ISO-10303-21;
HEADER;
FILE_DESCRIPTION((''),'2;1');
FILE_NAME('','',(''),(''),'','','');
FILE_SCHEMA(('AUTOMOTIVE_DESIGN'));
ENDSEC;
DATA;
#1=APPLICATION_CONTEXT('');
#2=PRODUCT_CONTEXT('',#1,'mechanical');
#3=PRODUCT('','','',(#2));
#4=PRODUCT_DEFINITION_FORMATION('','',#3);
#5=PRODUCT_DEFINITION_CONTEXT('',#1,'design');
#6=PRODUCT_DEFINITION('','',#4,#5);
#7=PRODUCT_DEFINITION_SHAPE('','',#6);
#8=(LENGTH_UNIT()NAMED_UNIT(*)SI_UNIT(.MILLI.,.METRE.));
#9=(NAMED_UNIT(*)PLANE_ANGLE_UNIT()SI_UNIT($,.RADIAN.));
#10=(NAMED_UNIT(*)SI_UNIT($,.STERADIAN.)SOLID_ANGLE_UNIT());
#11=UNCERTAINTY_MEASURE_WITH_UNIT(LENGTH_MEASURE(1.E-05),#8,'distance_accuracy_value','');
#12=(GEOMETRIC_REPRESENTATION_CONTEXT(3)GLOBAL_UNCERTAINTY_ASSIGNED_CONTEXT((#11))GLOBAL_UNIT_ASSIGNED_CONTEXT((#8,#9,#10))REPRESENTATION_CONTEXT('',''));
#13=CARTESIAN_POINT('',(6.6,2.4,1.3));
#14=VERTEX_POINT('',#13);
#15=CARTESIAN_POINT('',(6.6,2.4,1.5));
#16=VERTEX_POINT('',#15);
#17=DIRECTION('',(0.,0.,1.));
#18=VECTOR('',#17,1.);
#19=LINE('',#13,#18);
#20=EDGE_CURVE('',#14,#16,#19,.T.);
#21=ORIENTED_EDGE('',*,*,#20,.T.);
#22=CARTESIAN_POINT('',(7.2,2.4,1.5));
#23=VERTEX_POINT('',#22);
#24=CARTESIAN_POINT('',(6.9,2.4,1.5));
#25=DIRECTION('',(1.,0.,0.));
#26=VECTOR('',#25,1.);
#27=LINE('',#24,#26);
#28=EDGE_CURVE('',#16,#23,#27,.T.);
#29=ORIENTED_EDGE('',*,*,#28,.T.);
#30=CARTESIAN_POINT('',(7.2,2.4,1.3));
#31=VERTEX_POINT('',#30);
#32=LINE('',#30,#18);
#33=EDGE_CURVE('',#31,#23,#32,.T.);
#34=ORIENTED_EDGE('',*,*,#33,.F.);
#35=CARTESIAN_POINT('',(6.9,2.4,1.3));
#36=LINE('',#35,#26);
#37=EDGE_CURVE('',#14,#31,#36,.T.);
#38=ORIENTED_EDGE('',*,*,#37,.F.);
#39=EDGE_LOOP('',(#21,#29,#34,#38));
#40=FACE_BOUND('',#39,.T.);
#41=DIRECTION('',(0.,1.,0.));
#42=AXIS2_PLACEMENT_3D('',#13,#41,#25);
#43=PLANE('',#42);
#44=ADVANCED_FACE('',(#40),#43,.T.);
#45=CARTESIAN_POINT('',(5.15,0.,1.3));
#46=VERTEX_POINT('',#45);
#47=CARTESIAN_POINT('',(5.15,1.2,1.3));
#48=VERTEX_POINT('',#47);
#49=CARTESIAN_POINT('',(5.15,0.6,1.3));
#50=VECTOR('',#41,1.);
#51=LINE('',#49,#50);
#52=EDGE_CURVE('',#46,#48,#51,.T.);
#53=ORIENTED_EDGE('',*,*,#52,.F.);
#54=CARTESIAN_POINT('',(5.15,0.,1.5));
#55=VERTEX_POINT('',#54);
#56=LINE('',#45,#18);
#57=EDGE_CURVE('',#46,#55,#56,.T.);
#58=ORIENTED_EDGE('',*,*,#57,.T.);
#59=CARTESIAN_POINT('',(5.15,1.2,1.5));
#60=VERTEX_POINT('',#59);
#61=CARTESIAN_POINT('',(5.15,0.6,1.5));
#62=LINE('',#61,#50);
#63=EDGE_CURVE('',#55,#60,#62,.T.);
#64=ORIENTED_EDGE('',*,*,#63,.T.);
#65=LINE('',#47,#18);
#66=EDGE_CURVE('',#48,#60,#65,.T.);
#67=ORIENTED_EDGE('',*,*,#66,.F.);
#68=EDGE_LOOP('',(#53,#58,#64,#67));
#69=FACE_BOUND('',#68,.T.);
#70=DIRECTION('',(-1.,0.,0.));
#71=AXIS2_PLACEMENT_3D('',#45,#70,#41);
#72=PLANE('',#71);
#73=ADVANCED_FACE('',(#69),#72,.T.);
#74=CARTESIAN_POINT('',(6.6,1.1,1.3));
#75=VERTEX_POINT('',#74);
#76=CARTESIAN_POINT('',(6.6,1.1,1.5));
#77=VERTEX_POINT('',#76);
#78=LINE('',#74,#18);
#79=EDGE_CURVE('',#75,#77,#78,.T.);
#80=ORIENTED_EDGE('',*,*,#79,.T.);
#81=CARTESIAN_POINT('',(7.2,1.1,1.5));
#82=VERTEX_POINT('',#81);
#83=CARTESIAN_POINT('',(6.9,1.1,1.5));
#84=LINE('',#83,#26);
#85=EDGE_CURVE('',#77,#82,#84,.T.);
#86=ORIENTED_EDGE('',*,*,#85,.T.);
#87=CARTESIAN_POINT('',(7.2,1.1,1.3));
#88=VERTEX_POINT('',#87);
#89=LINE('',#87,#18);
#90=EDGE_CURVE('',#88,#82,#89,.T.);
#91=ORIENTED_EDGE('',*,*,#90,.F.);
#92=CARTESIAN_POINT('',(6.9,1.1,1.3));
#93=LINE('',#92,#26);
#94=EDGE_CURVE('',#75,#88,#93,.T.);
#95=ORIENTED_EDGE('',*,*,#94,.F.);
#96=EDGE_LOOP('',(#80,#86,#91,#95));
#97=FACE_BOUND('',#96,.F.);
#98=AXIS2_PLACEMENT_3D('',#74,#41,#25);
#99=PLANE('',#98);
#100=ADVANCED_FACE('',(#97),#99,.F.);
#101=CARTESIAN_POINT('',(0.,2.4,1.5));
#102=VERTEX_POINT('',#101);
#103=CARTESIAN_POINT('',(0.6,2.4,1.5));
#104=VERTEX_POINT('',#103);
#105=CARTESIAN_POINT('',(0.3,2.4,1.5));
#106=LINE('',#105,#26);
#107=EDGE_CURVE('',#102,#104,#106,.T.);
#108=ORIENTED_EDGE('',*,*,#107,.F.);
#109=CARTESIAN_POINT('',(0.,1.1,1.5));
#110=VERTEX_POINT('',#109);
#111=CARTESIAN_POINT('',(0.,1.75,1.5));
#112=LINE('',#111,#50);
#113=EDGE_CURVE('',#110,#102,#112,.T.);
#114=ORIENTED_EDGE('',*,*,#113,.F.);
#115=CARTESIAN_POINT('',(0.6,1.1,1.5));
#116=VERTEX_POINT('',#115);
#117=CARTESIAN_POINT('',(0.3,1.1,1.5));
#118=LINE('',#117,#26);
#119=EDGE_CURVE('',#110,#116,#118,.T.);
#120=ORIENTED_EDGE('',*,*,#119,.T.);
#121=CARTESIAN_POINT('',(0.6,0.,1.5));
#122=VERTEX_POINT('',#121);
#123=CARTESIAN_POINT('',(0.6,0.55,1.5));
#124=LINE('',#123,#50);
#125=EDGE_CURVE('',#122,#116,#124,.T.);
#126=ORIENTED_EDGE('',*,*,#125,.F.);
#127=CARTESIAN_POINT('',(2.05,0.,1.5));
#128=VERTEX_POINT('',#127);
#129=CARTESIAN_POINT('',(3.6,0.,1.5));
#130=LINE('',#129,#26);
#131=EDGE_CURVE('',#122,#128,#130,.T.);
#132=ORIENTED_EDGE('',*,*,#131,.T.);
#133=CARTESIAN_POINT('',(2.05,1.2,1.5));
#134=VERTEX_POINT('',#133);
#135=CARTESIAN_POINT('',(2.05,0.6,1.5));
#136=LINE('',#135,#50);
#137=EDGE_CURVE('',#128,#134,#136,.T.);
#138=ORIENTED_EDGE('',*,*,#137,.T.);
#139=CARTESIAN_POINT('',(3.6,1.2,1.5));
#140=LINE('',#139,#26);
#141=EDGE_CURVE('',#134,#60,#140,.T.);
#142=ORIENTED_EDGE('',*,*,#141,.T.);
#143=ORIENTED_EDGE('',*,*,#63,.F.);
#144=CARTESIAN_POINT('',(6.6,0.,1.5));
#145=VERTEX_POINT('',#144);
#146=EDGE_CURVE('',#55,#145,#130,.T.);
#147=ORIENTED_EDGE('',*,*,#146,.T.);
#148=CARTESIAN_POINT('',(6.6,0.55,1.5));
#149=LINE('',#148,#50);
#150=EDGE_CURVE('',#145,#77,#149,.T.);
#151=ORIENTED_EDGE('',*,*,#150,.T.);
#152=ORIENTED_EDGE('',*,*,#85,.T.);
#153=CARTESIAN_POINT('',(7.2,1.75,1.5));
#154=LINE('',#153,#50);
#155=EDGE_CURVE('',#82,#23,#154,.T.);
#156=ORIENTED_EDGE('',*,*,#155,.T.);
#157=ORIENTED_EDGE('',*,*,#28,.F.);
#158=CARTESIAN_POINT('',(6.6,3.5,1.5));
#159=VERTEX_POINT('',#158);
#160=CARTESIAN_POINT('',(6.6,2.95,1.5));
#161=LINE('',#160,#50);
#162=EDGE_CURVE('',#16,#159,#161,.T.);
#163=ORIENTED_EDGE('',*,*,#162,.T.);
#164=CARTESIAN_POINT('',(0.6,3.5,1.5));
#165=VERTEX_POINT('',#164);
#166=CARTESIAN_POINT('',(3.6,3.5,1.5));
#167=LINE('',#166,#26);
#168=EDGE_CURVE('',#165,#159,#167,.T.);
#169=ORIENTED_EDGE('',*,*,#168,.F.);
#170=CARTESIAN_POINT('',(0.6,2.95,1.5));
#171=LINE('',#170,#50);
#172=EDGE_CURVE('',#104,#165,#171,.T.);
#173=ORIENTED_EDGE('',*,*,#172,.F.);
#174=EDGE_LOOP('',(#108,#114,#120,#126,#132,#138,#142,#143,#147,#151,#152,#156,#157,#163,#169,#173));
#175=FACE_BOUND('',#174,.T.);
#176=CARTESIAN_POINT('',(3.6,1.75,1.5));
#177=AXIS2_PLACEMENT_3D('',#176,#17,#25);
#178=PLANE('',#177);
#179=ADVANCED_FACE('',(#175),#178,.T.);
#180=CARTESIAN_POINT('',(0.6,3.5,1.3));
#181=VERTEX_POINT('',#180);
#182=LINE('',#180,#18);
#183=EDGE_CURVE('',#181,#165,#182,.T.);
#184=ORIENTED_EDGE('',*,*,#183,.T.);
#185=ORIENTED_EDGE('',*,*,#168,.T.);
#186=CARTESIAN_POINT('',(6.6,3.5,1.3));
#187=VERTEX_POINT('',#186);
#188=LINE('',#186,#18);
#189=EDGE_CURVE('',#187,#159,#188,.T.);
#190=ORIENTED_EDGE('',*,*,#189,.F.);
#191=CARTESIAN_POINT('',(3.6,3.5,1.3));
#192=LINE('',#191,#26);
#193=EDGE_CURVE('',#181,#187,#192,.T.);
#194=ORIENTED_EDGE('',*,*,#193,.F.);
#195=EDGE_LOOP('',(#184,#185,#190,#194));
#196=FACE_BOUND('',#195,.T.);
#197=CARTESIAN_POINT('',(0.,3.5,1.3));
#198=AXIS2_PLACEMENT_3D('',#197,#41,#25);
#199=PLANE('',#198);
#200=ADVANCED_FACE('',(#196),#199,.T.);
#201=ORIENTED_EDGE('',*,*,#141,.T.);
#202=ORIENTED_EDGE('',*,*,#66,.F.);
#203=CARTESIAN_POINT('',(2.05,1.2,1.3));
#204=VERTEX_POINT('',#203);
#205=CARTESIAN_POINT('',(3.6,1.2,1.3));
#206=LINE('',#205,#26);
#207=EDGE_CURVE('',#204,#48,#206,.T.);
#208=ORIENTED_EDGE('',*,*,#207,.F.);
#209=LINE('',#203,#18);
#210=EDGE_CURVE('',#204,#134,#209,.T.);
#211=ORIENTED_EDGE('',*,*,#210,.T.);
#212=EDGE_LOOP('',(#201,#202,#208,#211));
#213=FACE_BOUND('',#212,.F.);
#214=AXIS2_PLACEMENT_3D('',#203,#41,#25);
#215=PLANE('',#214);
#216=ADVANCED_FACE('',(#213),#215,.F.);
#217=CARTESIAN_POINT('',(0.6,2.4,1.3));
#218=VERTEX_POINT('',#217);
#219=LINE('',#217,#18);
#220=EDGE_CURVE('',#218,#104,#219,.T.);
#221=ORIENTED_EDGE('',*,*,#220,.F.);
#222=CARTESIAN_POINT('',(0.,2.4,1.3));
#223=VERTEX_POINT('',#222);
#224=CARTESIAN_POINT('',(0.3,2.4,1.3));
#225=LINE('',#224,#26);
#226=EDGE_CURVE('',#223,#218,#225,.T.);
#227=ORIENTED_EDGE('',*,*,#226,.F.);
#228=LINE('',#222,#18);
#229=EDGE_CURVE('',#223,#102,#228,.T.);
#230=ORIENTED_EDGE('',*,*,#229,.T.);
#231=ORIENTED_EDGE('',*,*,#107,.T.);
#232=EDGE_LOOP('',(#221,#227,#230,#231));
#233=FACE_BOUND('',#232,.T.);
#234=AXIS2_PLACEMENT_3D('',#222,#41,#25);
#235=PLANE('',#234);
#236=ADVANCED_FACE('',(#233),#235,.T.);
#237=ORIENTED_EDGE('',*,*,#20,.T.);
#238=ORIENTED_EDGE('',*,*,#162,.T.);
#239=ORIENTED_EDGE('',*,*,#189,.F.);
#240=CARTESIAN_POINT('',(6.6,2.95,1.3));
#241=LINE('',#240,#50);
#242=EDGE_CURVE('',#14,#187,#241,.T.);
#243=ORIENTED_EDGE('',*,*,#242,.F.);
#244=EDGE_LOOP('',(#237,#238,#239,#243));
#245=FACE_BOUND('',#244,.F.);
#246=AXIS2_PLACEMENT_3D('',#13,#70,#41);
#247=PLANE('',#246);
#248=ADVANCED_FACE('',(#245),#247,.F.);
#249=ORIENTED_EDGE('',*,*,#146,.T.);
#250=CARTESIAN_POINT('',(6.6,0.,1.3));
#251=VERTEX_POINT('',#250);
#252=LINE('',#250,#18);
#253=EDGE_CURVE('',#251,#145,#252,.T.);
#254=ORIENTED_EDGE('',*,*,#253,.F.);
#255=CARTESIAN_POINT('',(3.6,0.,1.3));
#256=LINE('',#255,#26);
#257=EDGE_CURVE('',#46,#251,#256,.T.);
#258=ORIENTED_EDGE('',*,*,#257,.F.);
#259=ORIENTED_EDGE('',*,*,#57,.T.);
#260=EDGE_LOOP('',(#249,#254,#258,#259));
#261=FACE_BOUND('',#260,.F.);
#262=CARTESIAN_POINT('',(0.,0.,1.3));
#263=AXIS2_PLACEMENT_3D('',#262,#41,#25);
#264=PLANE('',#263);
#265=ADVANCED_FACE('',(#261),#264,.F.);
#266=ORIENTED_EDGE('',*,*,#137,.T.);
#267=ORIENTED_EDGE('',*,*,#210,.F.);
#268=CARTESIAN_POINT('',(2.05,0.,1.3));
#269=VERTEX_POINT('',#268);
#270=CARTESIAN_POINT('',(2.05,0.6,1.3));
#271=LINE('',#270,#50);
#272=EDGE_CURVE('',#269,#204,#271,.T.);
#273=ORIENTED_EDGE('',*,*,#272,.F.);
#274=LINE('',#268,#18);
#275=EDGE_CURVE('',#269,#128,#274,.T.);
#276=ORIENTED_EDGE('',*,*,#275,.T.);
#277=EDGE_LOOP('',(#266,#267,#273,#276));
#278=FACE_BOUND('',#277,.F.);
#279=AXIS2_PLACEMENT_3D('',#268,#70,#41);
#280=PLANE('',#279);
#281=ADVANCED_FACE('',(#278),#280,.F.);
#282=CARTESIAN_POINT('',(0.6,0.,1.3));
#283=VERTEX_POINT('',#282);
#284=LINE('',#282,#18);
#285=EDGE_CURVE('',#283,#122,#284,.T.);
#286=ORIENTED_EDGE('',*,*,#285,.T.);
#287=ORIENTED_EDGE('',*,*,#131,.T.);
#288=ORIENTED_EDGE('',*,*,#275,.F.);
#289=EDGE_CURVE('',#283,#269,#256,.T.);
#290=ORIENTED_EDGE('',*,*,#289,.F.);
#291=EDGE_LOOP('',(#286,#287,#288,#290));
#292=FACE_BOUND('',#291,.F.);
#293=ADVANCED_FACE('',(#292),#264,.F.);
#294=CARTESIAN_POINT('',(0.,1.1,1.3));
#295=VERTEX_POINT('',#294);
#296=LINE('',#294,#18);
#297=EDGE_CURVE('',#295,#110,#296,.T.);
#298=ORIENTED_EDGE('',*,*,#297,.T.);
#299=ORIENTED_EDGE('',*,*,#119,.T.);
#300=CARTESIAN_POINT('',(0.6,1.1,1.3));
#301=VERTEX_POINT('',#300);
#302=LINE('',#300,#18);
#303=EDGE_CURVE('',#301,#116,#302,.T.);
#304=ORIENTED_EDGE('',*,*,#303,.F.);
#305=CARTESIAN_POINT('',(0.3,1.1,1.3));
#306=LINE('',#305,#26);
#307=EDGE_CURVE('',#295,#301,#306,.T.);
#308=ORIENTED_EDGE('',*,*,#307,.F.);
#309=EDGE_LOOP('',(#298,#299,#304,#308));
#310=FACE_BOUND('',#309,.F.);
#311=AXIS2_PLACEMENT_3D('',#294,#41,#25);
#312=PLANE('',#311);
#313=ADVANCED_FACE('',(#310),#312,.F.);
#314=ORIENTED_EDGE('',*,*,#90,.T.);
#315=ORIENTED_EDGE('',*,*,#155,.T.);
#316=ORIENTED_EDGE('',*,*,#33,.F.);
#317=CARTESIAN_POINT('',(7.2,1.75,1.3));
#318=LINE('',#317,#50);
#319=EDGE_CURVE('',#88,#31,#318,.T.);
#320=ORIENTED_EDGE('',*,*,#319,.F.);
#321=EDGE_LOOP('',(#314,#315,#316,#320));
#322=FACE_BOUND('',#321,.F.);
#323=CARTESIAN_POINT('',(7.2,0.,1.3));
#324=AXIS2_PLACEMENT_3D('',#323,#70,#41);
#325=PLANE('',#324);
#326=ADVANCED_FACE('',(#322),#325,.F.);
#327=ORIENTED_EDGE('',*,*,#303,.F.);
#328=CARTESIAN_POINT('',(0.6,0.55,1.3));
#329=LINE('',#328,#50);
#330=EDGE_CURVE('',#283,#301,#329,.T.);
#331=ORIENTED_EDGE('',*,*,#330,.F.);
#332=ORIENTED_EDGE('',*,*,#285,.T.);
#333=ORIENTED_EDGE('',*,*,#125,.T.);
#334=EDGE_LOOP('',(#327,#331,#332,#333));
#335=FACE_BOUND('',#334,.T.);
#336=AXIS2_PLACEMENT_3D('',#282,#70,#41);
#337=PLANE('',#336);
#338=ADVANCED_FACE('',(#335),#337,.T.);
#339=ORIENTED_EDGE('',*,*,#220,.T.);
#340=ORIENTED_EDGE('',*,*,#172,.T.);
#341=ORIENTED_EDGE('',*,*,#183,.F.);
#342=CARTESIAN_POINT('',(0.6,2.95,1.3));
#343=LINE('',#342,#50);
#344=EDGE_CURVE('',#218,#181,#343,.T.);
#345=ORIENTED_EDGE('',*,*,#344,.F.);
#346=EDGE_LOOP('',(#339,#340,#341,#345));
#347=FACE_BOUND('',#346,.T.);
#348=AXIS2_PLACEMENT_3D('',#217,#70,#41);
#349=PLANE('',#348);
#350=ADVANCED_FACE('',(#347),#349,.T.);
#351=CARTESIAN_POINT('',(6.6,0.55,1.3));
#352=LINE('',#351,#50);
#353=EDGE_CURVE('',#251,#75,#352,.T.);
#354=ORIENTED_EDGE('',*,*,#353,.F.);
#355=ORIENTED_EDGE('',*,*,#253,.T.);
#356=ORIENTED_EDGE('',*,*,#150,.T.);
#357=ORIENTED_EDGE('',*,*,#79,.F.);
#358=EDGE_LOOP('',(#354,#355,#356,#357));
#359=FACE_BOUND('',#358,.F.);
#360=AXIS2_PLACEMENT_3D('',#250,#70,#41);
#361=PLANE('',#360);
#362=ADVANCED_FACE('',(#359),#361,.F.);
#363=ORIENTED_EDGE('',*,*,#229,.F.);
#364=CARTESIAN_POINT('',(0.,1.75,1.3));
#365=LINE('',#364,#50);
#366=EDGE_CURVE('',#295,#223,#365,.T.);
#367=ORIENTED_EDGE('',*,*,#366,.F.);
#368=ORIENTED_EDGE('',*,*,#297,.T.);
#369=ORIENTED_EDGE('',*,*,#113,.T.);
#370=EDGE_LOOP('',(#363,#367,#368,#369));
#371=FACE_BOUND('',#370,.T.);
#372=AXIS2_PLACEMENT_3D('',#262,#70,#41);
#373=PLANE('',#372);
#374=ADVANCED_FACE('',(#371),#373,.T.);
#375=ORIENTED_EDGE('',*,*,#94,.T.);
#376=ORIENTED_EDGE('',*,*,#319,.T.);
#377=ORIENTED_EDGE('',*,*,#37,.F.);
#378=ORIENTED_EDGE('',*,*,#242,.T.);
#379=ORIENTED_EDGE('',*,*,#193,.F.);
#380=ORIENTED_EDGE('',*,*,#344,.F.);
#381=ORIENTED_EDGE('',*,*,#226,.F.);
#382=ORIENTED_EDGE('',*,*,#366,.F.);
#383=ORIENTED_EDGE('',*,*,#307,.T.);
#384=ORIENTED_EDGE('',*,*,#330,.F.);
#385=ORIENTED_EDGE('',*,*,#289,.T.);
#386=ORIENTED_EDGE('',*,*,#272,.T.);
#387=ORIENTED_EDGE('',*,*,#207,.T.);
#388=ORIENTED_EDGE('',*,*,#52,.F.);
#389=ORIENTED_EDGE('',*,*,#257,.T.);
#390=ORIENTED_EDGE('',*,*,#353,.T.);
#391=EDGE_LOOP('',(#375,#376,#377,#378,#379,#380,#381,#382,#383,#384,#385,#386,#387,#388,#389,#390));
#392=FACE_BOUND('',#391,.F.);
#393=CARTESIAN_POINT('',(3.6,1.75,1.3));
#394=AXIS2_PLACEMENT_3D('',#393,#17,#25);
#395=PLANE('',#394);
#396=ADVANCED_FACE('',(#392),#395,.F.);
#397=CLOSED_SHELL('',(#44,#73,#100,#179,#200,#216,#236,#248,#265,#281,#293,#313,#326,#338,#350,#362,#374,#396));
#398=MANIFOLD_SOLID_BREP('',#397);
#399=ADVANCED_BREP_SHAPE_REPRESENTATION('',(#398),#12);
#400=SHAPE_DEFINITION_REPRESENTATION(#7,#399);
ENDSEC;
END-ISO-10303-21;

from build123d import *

# Parameters (mm, degrees)
BOX018_W     = 3.1
BOX018_H     = 1.2
BOX018_DEPTH = 0.2
BOX017_W     = 0.6
BOX017_H     = 1.1
BOX017_DEPTH = 0.2
BOX016_W     = 0.6
BOX016_H     = 1.1
BOX016_DEPTH = 0.2
BOX015_W     = 0.6
BOX015_H     = 1.1
BOX015_DEPTH = 0.2
BOX014_W     = 0.6
BOX014_H     = 1.1
BOX014_DEPTH = 0.2
BOX019_W     = 7.2
BOX019_H     = 3.5
BOX019_DEPTH = 0.2


with BuildPart() as cube018:
    # Box018 → Box018 (new body)
    with BuildSketch(Plane(origin=(2.05, 0, 1.3), x_dir=(1, 0, 0), z_dir=(0, 0, 1))):
        with Locations((1.55, 0.6)):
            Rectangle(BOX018_W, BOX018_H)
    extrude(amount=BOX018_DEPTH)


with BuildPart() as cube017:
    # Box017 → Box017 (new body)
    with BuildSketch(Plane(origin=(0, 2.4, 1.3), x_dir=(1, 0, 0), z_dir=(0, 0, 1))):
        with Locations((0.3, 0.55)):
            Rectangle(BOX017_W, BOX017_H)
    extrude(amount=BOX017_DEPTH)


with BuildPart() as cube016:
    # Box016 → Box016 (new body)
    with BuildSketch(Plane.XY.offset(1.3)):
        with Locations((0.3, 0.55)):
            Rectangle(BOX016_W, BOX016_H)
    extrude(amount=BOX016_DEPTH)


with BuildPart() as cube015:
    # Box015 → Box015 (new body)
    with BuildSketch(Plane(origin=(6.6, 2.4, 1.3), x_dir=(1, 0, 0), z_dir=(0, 0, 1))):
        with Locations((0.3, 0.55)):
            Rectangle(BOX015_W, BOX015_H)
    extrude(amount=BOX015_DEPTH)


with BuildPart() as cube014:
    # Box014 → Box014 (new body)
    with BuildSketch(Plane(origin=(6.6, 0, 1.3), x_dir=(1, 0, 0), z_dir=(0, 0, 1))):
        with Locations((0.3, 0.55)):
            Rectangle(BOX014_W, BOX014_H)
    extrude(amount=BOX014_DEPTH)


with BuildPart() as silver_top:
    # Box019 → Box019 (new body)
    with BuildSketch(Plane.XY.offset(1.3)):
        with Locations((3.6, 1.75)):
            Rectangle(BOX019_W, BOX019_H)
    extrude(amount=BOX019_DEPTH)

    # Cut: cut Cube014
    add(cube014.part, mode=Mode.SUBTRACT)

    # Cut001: cut Cube015
    add(cube015.part, mode=Mode.SUBTRACT)

    # Cut002: cut Cube016
    add(cube016.part, mode=Mode.SUBTRACT)

    # Cut003: cut Cube017
    add(cube017.part, mode=Mode.SUBTRACT)

    # Cut004: cut Cube018
    add(cube018.part, mode=Mode.SUBTRACT)


solid = silver_top.part
